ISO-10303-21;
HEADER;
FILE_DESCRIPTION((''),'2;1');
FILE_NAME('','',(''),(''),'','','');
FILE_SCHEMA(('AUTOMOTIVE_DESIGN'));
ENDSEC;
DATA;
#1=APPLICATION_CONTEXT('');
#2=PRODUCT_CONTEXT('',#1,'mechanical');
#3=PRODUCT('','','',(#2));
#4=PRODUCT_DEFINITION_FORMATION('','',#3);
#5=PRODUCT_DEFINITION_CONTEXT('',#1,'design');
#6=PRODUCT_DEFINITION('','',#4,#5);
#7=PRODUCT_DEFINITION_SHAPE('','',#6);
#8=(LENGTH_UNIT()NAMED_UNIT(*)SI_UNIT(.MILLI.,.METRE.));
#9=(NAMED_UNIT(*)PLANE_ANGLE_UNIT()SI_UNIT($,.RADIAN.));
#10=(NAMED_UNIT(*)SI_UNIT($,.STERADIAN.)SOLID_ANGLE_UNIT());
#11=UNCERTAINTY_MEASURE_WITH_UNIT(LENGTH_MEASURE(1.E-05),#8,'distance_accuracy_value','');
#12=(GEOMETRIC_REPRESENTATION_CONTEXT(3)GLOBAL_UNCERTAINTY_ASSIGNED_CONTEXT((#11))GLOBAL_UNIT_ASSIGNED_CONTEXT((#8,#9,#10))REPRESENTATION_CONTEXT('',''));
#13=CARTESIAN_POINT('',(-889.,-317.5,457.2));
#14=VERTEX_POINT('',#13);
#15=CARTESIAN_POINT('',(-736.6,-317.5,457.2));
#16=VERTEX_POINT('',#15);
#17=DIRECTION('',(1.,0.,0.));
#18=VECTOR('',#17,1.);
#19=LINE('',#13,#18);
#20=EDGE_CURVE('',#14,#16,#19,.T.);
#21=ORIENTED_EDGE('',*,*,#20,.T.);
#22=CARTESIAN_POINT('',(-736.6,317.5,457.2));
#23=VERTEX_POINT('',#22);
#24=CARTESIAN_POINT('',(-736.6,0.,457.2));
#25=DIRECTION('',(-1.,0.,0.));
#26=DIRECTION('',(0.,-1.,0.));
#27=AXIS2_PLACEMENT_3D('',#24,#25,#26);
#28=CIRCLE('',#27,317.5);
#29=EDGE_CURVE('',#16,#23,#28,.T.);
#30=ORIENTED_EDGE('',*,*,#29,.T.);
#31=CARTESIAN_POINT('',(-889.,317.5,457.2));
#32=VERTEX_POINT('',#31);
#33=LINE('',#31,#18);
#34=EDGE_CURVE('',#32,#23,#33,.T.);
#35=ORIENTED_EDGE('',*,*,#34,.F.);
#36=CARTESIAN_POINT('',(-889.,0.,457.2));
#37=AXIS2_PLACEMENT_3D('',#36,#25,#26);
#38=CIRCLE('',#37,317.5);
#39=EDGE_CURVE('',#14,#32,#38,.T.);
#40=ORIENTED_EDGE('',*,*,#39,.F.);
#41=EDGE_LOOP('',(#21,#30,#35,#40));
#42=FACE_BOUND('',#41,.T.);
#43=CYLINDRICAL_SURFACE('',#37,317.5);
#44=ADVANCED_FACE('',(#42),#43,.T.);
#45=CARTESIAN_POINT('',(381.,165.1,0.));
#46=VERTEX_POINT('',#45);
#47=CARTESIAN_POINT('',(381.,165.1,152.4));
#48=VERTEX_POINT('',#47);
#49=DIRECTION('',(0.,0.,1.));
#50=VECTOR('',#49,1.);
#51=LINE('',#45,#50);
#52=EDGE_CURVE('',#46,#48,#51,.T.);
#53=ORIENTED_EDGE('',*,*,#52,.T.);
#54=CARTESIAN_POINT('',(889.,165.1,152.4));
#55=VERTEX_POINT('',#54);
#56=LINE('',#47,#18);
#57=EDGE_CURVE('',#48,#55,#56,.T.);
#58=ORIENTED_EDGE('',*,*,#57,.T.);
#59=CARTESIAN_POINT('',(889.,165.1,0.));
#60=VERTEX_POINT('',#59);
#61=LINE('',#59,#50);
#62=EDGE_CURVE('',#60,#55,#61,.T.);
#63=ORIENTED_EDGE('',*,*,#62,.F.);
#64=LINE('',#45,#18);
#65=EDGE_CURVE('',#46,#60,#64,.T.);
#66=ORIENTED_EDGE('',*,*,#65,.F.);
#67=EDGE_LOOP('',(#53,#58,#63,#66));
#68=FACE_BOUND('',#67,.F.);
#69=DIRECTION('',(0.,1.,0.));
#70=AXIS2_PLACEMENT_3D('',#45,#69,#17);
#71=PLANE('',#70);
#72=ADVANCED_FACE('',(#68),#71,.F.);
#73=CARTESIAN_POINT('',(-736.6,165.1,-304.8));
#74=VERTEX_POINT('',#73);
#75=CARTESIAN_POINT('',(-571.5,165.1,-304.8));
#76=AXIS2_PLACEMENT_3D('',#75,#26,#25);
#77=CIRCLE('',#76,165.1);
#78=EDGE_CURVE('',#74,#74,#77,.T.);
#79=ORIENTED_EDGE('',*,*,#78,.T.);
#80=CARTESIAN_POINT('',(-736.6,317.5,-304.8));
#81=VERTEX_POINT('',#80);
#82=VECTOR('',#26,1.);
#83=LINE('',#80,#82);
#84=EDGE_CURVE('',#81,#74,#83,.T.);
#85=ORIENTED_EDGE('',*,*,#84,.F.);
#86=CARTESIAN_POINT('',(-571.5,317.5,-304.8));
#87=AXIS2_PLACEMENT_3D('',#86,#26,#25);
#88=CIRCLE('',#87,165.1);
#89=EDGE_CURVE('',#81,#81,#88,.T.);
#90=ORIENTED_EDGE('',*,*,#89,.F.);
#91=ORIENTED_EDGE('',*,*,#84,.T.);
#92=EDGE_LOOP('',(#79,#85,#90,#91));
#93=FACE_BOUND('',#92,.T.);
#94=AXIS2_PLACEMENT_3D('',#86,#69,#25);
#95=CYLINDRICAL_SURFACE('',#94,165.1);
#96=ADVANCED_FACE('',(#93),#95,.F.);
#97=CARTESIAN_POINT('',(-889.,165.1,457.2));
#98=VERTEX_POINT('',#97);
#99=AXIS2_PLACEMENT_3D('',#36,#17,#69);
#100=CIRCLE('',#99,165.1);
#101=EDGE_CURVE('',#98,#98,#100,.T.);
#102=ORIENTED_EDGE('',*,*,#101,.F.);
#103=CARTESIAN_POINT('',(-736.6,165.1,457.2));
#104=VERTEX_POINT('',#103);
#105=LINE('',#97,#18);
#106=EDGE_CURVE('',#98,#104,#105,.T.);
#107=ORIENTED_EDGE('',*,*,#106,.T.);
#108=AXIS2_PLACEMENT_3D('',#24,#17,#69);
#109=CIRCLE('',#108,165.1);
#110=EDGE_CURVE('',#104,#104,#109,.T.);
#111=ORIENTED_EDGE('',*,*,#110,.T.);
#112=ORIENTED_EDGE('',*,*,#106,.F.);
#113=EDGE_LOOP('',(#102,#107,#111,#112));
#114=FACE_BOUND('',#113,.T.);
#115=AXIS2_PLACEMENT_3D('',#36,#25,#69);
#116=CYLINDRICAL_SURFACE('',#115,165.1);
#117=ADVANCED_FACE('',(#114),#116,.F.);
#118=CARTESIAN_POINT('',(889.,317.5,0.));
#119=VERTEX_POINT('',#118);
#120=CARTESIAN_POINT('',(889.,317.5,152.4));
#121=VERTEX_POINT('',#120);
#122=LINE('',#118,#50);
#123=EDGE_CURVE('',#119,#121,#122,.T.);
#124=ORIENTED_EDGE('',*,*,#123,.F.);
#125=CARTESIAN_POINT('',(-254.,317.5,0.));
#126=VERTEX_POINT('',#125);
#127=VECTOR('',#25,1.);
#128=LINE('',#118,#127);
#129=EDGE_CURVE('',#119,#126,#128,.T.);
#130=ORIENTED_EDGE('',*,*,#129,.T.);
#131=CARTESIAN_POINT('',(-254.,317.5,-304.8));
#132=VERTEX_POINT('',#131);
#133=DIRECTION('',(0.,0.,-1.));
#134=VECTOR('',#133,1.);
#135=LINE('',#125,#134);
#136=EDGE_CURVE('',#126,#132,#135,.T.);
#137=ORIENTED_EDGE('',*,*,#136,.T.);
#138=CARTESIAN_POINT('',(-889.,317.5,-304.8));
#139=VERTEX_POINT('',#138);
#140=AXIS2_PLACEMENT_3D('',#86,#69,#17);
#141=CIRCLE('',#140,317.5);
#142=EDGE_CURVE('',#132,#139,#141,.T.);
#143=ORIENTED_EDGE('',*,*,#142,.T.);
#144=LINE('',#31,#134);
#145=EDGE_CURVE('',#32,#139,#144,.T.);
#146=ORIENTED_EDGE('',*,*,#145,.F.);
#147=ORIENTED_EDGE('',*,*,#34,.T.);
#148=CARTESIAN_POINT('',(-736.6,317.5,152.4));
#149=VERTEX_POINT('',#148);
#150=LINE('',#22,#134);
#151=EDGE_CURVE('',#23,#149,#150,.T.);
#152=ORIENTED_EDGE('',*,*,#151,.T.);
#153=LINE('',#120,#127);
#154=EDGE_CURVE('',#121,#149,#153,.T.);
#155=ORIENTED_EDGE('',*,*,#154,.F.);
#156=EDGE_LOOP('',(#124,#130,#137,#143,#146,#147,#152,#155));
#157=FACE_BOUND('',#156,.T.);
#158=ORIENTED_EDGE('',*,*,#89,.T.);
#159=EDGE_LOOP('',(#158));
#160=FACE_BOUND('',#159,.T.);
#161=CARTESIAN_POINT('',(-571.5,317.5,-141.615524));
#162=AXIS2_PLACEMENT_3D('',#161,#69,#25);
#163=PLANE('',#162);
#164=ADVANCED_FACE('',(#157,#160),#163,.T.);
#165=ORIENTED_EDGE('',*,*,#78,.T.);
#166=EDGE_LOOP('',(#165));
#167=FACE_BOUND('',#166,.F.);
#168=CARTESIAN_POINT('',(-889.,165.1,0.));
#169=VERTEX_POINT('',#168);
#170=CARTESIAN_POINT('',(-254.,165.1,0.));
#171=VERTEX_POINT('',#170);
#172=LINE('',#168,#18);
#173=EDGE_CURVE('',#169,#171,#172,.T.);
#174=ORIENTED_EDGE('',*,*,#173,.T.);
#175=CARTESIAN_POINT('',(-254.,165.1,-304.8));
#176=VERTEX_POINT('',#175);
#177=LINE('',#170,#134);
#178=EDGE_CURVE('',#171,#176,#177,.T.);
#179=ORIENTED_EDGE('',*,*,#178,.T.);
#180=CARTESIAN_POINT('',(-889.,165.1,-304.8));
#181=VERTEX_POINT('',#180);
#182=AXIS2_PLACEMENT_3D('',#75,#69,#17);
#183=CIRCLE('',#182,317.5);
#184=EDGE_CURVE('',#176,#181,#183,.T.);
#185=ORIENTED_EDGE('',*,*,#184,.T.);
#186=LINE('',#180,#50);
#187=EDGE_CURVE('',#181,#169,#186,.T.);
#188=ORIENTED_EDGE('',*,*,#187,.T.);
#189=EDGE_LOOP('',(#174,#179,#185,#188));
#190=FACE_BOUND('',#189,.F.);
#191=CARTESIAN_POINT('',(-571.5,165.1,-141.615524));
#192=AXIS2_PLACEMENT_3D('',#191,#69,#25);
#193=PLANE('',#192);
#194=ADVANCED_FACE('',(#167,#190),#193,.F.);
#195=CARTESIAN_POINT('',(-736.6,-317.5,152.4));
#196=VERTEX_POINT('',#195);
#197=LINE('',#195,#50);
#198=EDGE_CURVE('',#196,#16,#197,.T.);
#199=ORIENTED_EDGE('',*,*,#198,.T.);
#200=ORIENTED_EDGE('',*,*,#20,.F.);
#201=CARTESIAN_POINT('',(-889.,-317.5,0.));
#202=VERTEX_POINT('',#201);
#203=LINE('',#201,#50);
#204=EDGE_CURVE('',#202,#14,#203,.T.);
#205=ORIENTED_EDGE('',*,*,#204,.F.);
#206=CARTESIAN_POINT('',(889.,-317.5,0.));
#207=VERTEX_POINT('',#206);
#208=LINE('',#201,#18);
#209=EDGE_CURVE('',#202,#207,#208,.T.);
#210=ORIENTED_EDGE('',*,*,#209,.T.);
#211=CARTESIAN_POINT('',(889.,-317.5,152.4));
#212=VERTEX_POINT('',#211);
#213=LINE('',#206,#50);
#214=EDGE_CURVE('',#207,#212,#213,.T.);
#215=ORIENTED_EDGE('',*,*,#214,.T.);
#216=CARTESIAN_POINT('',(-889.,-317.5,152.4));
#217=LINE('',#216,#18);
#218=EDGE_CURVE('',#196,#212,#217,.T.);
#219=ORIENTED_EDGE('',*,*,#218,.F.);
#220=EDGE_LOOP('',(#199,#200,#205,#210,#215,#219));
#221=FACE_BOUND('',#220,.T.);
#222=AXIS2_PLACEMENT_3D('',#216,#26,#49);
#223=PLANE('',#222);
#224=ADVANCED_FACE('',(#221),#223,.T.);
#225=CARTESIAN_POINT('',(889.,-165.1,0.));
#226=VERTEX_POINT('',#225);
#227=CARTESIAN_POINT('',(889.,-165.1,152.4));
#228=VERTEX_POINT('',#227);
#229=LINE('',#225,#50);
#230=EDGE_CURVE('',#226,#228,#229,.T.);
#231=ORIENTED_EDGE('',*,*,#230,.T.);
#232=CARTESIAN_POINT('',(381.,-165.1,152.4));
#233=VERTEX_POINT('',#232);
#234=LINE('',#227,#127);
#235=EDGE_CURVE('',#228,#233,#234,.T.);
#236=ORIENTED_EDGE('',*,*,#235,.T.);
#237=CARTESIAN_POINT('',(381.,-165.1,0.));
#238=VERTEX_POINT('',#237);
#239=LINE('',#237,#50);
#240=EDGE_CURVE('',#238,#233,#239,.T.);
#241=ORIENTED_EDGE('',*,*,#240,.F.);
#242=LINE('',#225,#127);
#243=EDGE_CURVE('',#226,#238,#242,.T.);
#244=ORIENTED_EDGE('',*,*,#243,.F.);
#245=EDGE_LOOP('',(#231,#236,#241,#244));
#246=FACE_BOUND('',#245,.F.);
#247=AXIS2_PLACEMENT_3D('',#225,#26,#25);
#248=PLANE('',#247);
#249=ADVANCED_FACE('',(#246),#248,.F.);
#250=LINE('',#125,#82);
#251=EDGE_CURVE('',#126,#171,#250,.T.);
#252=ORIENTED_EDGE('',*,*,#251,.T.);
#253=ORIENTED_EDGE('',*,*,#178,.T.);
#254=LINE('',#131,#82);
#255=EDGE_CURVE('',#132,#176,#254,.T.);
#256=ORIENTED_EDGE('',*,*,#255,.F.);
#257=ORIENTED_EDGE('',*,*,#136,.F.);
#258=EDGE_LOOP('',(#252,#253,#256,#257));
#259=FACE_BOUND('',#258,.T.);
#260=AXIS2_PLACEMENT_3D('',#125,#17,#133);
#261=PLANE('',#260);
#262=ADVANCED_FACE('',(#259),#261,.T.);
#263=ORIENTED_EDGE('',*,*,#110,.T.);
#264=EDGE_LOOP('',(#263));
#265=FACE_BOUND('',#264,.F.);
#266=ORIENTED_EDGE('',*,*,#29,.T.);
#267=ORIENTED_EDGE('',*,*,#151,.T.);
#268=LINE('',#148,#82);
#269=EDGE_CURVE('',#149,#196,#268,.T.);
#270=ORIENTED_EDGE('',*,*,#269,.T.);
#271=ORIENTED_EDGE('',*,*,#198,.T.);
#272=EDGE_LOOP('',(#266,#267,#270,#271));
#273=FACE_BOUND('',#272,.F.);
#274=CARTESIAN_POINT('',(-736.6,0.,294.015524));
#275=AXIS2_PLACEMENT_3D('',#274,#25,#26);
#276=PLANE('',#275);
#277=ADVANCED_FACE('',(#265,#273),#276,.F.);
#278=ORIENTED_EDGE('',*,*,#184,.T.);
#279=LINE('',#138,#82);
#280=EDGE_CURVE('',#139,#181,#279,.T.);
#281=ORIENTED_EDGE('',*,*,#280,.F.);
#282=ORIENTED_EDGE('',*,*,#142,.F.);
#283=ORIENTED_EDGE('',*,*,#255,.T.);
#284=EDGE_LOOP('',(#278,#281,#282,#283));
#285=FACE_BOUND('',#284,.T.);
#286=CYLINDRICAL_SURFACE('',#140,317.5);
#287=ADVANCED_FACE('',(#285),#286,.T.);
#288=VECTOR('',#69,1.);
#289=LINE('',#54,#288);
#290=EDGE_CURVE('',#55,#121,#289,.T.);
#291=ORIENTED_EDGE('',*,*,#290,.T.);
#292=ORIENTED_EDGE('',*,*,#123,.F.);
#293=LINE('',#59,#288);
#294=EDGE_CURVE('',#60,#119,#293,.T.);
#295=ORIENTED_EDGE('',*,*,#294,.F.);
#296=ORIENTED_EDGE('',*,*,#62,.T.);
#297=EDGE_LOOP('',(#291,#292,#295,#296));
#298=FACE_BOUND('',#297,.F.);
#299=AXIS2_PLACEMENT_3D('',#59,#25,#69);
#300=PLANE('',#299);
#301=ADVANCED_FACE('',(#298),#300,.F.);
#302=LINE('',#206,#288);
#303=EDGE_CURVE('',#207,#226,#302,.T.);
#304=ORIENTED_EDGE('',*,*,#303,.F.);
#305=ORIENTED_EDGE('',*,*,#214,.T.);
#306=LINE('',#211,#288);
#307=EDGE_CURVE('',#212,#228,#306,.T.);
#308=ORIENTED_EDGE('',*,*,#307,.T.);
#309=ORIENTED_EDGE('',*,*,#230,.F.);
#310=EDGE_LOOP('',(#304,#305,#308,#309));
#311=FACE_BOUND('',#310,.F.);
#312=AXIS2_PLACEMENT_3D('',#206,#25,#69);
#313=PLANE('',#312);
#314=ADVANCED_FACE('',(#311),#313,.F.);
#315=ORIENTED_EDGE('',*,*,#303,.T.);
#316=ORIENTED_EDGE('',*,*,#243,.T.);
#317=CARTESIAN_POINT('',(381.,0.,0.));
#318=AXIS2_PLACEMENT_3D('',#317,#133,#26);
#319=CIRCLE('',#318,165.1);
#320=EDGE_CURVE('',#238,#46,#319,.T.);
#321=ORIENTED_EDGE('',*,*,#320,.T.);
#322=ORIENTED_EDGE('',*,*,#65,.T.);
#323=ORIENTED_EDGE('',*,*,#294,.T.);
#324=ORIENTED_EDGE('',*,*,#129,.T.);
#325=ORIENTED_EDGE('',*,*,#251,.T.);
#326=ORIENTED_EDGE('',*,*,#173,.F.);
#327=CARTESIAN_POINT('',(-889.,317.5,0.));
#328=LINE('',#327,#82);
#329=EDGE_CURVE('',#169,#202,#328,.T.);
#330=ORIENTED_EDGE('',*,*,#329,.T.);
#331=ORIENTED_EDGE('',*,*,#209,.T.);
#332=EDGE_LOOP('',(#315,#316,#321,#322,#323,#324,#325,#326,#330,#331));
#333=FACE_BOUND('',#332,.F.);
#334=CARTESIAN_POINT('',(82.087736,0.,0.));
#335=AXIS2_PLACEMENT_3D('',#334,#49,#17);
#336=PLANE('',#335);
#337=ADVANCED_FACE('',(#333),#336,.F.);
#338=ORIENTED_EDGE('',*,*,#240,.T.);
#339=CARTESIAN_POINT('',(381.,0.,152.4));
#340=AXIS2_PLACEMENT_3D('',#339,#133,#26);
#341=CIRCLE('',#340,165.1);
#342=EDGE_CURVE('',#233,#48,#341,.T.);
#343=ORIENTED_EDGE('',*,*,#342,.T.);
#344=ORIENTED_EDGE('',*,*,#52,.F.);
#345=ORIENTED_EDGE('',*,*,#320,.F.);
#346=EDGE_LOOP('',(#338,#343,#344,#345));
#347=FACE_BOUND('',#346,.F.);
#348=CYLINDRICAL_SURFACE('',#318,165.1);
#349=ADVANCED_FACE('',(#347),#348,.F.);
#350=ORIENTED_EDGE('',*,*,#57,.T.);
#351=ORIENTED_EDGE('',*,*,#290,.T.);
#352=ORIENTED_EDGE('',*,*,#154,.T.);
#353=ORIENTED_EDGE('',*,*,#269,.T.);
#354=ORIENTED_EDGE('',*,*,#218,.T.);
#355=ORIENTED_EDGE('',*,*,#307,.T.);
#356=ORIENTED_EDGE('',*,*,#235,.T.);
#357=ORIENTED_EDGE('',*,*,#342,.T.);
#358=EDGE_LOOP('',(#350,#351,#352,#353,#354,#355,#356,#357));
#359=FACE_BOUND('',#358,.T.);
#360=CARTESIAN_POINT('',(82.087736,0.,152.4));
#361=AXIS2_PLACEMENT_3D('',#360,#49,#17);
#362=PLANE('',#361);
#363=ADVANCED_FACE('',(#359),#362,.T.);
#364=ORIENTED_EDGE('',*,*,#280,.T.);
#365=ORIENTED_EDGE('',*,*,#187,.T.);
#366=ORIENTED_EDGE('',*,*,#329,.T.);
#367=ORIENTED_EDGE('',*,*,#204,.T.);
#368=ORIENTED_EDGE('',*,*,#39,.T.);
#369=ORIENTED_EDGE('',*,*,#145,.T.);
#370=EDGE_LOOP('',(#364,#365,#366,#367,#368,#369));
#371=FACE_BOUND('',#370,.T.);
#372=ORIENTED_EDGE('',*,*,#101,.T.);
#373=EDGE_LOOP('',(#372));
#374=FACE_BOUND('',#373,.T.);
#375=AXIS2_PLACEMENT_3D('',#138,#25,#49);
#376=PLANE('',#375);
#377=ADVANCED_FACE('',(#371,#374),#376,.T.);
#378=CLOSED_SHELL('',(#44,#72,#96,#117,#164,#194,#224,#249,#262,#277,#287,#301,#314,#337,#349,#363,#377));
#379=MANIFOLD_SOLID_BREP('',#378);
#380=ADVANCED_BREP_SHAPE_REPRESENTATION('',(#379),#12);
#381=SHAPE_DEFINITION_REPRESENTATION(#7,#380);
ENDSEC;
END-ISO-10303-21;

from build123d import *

# Parameters (mm, degrees)
F1_DEPTH = 152.4
F3_DEPTH = 152.4
F5_DEPTH = 152.4


with BuildPart() as f1:
    # F0 (on Top) → F1 (new body)
    with BuildSketch(Plane.XY):
        with BuildLine():
            Line((889, 165.1), (889, 317.5))
            Line((889, 317.5), (-889, 317.5))
            Line((-889, 317.5), (-889, -317.5))
            Line((-889, -317.5), (889, -317.5))
            Line((889, -317.5), (889, -165.1))
            Line((889, -165.1), (381, -165.1))
            ThreePointArc((381, -165.1), (215.9, 0), (381, 165.1))
            Line((381, 165.1), (889, 165.1))
        make_face()
    extrude(amount=F1_DEPTH)

    # F2 (on face) → F3 (join)
    with BuildSketch(Plane(origin=(-889, 0, 0), x_dir=(0, -1, 0), z_dir=(-1, 0, 0))):
        with BuildLine():
            Line((-317.5, 457.2), (-317.5, 152.4))
            Line((-317.5, 152.4), (317.5, 152.4))
            Line((317.5, 152.4), (317.5, 457.2))
            Line((317.5, 457.2), (165.1, 457.2))
            ThreePointArc((165.1, 457.2), (0, 292.1), (-165.1, 457.2))
            Line((-165.1, 457.2), (-317.5, 457.2))
        make_face()
        with BuildLine():
            ThreePointArc((317.5, 457.2), (0, 774.7), (-317.5, 457.2))
            Line((-317.5, 457.2), (-165.1, 457.2))
            ThreePointArc((-165.1, 457.2), (0, 622.3), (165.1, 457.2))
            Line((165.1, 457.2), (317.5, 457.2))
        make_face()
    extrude(amount=-F3_DEPTH)

    # F4 (on face) → F5 (join)
    with BuildSketch(Plane(origin=(0, 317.5, 0), x_dir=(-1, 0, 0), z_dir=(0, 1, 0))):
        with BuildLine():
            Line((889, -304.8), (889, 0))
            Line((889, 0), (254, 0))
            Line((254, 0), (254, -304.8))
            Line((254, -304.8), (406.4, -304.8))
            ThreePointArc((406.4, -304.8), (571.5, -139.7), (736.6, -304.8))
            Line((736.6, -304.8), (889, -304.8))
        make_face()
        with BuildLine():
            ThreePointArc((254, -304.8), (571.5, -622.3), (889, -304.8))
            Line((889, -304.8), (736.6, -304.8))
            ThreePointArc((736.6, -304.8), (571.5, -469.9), (406.4, -304.8))
            Line((406.4, -304.8), (254, -304.8))
        make_face()
    extrude(amount=-F5_DEPTH)


solid = f1.part
